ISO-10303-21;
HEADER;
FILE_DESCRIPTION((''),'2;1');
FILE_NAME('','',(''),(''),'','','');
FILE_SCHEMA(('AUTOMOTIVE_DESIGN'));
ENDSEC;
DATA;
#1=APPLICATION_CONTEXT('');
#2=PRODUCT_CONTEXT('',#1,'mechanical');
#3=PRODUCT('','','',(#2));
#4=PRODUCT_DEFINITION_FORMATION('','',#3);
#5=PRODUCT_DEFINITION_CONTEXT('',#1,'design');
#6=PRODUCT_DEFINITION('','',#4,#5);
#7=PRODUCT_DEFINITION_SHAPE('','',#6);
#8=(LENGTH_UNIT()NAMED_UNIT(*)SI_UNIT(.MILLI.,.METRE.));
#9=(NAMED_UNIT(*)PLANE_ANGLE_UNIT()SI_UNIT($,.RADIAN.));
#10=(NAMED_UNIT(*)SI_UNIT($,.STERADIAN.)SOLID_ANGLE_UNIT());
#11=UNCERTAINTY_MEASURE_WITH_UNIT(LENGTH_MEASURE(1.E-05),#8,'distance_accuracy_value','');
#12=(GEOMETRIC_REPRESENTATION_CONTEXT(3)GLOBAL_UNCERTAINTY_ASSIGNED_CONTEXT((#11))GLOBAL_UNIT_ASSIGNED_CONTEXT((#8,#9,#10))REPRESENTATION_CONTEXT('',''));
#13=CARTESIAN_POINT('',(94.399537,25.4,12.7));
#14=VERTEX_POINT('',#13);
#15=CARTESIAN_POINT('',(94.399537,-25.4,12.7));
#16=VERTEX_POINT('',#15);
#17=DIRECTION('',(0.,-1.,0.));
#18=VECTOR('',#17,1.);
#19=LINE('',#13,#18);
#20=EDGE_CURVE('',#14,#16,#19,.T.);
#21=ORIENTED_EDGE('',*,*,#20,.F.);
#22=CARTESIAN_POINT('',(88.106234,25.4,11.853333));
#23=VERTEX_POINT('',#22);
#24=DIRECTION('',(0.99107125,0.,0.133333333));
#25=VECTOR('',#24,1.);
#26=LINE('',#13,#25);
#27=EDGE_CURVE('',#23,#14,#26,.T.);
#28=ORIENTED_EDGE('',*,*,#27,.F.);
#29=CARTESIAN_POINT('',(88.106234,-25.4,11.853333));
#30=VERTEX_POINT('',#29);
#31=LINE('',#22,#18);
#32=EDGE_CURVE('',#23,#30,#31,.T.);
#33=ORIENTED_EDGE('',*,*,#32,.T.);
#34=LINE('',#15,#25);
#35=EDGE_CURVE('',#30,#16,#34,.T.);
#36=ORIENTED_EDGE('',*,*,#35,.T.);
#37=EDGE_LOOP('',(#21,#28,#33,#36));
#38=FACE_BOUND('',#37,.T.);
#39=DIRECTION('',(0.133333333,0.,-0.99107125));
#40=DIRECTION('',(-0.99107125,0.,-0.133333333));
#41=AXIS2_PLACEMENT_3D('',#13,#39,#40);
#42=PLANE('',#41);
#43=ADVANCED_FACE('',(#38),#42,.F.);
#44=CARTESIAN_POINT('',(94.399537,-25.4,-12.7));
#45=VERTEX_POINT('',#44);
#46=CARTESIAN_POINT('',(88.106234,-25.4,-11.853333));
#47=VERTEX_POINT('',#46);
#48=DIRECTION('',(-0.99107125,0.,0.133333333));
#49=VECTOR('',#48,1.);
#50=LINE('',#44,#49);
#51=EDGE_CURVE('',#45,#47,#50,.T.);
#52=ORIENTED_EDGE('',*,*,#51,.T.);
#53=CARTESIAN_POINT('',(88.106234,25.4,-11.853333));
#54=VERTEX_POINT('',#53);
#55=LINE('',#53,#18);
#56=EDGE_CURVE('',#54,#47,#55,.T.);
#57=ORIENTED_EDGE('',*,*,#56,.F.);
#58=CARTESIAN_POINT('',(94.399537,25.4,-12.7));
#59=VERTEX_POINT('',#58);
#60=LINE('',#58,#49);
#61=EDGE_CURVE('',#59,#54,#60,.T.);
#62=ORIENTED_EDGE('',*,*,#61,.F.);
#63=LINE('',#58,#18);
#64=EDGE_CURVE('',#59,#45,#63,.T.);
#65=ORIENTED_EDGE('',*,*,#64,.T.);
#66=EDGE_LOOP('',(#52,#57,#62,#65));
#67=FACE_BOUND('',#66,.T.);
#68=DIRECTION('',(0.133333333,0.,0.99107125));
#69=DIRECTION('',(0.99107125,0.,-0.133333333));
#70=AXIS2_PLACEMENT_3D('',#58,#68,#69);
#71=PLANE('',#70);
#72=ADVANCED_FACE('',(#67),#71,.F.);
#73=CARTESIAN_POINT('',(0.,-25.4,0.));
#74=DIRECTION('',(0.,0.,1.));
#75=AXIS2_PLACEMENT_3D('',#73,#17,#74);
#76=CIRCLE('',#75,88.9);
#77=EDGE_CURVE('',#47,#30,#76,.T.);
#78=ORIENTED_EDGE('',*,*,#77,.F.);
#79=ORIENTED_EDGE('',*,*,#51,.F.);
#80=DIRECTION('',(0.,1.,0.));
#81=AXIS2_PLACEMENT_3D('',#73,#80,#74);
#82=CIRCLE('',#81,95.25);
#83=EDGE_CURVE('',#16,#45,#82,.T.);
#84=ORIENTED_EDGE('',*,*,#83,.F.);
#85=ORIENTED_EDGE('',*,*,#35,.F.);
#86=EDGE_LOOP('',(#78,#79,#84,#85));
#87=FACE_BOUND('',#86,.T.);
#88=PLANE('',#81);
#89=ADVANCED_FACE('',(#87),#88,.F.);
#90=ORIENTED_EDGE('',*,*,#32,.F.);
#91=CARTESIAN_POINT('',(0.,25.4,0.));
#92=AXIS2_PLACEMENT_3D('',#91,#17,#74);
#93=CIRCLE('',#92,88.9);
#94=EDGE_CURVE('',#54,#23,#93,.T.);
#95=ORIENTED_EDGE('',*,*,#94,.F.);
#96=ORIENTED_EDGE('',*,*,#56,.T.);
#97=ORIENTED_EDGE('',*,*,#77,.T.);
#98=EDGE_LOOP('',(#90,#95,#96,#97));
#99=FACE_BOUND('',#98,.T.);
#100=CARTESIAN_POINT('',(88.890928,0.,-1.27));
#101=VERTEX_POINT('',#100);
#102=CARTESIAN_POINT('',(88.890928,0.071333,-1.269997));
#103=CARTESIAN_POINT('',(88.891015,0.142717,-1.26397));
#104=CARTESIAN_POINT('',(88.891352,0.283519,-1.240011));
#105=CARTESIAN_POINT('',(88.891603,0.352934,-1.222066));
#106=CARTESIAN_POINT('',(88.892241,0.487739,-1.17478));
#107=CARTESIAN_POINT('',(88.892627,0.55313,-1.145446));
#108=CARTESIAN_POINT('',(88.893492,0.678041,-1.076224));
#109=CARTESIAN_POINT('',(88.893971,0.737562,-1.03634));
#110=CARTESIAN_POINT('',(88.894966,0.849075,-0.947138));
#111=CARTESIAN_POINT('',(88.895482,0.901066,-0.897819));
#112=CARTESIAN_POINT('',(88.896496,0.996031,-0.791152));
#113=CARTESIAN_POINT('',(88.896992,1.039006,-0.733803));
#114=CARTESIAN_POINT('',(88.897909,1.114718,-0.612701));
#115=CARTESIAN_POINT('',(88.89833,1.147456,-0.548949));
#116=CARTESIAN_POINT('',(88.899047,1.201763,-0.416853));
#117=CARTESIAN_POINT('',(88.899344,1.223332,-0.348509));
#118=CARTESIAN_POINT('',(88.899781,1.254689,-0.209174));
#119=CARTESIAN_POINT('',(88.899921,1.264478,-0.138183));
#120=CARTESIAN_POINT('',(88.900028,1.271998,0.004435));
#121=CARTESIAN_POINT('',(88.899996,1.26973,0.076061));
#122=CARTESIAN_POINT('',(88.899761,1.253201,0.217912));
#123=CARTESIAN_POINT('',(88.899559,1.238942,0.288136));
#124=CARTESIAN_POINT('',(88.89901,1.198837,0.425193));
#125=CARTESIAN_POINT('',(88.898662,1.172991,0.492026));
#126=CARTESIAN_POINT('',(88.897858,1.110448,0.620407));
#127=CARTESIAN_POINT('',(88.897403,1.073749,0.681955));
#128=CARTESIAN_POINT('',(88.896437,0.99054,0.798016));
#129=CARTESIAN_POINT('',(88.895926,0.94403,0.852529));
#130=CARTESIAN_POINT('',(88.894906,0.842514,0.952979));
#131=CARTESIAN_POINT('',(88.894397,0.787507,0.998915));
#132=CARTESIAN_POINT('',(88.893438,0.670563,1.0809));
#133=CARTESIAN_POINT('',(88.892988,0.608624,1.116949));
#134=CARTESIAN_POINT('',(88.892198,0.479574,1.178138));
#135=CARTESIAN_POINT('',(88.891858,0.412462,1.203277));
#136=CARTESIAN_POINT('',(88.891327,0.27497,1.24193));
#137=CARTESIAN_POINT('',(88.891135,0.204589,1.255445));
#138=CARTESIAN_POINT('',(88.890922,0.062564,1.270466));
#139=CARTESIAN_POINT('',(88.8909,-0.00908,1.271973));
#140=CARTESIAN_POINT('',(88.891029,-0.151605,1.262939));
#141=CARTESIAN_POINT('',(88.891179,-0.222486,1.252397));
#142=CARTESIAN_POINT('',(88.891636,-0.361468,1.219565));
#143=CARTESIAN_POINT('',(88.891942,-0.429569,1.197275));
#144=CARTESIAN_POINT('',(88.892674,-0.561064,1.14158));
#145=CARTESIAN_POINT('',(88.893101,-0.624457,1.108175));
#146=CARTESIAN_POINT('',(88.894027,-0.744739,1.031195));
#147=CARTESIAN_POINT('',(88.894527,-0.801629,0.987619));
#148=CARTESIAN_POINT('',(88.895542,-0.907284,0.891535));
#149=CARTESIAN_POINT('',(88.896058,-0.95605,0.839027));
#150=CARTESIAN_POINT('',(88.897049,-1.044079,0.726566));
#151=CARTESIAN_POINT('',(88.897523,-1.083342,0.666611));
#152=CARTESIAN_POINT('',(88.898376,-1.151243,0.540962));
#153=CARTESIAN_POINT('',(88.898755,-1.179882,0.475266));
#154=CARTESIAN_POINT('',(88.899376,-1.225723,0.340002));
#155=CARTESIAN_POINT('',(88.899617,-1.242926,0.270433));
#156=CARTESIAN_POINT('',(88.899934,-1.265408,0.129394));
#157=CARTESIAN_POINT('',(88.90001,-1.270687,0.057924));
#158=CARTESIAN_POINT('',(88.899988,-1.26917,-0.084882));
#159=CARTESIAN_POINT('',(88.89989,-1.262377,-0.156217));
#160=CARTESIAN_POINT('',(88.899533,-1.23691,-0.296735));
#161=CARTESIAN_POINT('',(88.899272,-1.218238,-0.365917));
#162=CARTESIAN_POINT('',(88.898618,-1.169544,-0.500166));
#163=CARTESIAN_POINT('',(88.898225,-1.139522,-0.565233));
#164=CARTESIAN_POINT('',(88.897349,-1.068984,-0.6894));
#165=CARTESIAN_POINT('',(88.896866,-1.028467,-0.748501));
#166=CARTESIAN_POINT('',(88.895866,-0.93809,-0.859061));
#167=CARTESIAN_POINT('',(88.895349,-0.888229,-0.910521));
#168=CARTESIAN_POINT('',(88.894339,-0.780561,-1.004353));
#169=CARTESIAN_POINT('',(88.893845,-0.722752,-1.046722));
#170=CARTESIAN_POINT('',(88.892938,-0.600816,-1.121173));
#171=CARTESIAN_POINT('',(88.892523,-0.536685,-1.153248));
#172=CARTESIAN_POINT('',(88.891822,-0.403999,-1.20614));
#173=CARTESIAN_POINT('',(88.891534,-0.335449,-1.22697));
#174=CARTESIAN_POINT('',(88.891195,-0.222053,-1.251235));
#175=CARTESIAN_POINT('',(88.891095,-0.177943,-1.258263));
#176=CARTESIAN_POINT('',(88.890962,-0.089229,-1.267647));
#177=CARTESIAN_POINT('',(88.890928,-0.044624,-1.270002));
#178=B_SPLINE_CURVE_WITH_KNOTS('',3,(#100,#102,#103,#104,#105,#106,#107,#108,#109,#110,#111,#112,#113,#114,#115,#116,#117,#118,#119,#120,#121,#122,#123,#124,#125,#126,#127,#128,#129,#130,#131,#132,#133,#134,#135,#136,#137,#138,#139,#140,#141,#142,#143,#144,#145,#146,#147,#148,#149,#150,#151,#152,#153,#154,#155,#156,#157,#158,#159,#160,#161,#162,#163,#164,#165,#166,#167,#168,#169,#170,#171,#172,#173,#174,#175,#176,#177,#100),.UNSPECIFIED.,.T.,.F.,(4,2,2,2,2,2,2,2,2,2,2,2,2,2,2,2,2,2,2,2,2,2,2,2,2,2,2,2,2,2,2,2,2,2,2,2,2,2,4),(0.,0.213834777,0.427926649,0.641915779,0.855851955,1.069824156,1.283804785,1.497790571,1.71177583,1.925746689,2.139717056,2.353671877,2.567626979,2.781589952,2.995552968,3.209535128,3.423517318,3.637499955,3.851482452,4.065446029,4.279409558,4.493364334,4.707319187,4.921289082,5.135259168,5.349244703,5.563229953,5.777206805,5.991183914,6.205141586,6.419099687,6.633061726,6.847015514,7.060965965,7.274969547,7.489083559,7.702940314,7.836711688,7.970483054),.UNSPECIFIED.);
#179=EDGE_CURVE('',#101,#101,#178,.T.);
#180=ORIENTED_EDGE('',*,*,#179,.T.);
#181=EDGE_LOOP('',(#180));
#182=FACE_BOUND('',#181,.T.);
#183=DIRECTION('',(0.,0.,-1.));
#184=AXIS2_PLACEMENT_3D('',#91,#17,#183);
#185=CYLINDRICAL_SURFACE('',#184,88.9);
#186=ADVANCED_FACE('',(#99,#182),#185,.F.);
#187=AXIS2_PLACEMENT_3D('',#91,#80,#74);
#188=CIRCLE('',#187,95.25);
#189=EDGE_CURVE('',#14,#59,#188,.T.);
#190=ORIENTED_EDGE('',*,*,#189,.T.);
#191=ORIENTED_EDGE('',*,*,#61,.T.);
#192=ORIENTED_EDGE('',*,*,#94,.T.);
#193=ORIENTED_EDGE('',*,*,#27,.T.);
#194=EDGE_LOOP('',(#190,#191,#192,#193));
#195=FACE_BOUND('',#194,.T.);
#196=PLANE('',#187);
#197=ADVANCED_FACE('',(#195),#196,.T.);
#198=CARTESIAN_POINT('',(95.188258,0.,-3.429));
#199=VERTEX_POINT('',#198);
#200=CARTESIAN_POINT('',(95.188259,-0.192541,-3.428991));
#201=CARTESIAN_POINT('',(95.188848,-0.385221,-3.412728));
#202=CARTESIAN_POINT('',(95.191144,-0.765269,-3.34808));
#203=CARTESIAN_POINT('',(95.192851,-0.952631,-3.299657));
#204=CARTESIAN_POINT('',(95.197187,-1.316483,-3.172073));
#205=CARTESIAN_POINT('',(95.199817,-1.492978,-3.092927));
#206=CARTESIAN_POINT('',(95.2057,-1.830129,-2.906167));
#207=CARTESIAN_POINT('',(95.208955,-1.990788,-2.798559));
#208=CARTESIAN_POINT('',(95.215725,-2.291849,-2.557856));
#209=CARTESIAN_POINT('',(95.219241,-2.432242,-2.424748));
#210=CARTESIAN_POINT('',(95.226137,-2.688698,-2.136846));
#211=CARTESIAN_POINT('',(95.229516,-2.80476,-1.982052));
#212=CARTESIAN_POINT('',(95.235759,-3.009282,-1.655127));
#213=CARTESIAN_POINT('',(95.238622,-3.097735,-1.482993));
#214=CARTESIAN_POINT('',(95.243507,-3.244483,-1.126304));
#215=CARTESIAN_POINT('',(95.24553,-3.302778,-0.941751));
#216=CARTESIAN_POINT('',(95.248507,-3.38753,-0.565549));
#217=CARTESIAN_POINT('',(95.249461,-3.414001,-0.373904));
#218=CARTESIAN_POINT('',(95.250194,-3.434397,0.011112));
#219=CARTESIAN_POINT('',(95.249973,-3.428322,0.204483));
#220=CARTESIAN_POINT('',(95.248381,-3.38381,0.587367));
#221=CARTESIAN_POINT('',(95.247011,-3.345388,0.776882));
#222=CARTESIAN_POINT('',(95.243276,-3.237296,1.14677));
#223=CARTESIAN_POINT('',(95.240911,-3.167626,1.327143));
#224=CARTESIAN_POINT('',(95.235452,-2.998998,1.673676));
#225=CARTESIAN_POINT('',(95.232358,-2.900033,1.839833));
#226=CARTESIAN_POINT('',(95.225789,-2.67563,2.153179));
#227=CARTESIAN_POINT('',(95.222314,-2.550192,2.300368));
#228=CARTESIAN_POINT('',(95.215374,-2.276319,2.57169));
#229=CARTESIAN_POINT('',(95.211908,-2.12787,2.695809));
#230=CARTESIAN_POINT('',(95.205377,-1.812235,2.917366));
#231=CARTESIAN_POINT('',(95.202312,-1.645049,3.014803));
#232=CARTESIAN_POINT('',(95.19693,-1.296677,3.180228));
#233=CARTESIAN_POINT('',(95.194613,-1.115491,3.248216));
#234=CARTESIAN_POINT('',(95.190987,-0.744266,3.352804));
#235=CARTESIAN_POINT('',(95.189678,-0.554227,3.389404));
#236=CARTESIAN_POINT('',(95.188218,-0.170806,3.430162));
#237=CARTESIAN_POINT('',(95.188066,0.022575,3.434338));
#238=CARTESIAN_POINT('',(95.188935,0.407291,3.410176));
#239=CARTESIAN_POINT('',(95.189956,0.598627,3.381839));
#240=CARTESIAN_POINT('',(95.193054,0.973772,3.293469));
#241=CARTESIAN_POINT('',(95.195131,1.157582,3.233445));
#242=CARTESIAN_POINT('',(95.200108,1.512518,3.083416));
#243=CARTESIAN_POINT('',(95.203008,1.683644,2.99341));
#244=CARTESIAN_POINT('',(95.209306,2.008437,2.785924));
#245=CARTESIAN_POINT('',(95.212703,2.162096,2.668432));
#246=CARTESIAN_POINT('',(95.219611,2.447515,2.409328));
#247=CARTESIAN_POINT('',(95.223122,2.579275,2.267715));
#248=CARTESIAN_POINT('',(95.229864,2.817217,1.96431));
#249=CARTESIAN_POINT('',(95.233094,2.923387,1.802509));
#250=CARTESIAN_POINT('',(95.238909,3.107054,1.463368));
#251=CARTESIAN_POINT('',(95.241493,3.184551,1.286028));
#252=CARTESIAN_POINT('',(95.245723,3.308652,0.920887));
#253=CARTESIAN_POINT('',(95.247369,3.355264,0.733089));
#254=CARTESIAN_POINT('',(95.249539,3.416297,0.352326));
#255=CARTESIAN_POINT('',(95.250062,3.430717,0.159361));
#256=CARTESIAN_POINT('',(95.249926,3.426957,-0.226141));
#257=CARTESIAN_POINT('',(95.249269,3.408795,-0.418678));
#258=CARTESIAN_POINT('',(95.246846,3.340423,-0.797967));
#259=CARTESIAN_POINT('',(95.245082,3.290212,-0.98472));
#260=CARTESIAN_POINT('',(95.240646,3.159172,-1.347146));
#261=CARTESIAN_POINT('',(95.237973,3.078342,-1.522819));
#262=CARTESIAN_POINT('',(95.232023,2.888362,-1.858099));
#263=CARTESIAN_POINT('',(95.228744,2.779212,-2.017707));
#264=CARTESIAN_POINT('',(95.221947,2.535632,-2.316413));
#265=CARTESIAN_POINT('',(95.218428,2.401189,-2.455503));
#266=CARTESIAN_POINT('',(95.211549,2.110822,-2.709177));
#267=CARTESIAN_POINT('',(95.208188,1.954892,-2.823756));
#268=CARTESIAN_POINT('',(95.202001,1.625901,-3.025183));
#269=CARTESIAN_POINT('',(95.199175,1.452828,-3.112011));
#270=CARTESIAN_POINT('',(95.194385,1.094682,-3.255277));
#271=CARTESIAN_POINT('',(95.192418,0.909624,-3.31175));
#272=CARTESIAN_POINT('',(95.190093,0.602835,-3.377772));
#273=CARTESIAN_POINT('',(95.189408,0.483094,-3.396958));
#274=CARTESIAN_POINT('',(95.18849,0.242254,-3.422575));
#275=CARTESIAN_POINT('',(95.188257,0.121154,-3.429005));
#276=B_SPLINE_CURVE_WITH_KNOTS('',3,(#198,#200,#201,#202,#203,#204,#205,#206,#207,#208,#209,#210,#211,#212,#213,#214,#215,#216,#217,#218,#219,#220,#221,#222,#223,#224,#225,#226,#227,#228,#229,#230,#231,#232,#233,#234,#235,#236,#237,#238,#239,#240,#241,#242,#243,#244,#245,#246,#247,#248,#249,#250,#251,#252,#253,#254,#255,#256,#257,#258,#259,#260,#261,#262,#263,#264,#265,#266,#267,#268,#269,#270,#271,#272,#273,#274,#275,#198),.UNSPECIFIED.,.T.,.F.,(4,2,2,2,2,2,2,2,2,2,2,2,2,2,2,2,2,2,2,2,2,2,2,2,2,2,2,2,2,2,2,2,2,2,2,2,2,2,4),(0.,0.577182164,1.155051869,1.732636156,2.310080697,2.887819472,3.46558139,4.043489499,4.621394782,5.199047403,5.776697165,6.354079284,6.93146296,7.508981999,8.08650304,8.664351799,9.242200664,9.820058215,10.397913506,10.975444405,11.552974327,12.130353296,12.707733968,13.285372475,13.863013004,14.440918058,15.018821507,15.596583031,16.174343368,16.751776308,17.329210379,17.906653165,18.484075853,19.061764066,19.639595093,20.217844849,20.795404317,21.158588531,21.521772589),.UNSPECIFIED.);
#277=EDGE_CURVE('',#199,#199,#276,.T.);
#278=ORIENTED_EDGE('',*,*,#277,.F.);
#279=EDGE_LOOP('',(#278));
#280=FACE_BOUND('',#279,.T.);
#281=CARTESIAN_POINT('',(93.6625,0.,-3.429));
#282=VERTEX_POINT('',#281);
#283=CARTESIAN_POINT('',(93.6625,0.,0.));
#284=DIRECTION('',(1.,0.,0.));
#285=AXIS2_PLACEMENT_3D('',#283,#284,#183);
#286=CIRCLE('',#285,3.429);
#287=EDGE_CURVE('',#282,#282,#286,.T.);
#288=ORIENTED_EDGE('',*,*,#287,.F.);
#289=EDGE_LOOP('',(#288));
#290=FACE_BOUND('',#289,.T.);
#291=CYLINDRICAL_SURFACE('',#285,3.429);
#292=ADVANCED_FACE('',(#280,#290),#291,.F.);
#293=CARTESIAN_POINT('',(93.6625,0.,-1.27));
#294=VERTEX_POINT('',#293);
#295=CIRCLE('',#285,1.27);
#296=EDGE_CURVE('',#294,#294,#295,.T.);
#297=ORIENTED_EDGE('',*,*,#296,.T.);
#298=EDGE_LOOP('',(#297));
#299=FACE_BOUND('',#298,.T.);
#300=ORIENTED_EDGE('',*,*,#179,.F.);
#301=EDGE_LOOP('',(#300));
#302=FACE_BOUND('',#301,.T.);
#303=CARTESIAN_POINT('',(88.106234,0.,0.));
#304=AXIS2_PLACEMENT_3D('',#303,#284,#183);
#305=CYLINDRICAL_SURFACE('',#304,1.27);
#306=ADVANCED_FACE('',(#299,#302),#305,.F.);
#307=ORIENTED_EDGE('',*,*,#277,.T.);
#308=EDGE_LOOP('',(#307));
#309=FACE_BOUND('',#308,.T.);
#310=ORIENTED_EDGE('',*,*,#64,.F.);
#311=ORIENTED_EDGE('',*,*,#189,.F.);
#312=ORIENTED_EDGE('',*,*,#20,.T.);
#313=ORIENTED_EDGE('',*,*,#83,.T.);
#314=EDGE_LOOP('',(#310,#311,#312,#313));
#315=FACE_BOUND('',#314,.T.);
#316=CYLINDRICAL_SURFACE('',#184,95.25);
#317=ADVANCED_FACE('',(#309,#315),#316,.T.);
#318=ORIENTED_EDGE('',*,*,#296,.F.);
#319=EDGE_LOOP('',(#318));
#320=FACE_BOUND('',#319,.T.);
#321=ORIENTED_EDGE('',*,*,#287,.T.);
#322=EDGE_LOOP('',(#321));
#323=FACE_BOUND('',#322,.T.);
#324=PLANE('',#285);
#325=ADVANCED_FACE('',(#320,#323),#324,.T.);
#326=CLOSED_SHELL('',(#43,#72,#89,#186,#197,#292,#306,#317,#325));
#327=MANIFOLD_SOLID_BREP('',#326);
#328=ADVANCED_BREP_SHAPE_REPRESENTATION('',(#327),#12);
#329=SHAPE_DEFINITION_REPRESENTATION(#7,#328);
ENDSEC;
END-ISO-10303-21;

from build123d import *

# Parameters (mm, degrees)
BOSS_EXTRUDE1_DEPTH = 25.4
SKETCH5_R           = 3.429
CUT_EXTRUDE1_DEPTH  = 1.5875
SKETCH6_R           = 1.27
CUT_EXTRUDE2_DEPTH  = 29.93651842


with BuildPart() as part:
    # Sketch4 → Boss-Extrude1 (new, symmetric)
    with BuildSketch(Plane(origin=(0, 0, 0), x_dir=(1, 0, 0), z_dir=(0, 1, 0))):
        with BuildLine():
            Line((94.399536545, 12.7), (88.106234109, 11.853333333))
            ThreePointArc((88.106234109, 11.853333333), (88.9, 0), (88.106234109, -11.853333333))
            Line((88.106234109, -11.853333333), (94.399536545, -12.7))
            ThreePointArc((94.399536545, -12.7), (95.25, 0), (94.399536545, 12.7))
        make_face()
    extrude(amount=BOSS_EXTRUDE1_DEPTH, both=True)

    # Sketch5 → Cut-Extrude1 (cut)
    with BuildSketch(Plane(origin=(95.25, 25.4, 0), x_dir=(0, 0, -1), z_dir=(1, 0, 0))):
        with Locations((0, -25.4)):
            Circle(SKETCH5_R)
    extrude(amount=-CUT_EXTRUDE1_DEPTH, mode=Mode.SUBTRACT)

    # Sketch6 → Cut-Extrude2 (cut, through all)
    with BuildSketch(Plane(origin=(93.6625, 0, 0), x_dir=(0, 0, -1), z_dir=(1, 0, 0))):
        Circle(SKETCH6_R)
    extrude(amount=-CUT_EXTRUDE2_DEPTH, mode=Mode.SUBTRACT)


solid = part.part
